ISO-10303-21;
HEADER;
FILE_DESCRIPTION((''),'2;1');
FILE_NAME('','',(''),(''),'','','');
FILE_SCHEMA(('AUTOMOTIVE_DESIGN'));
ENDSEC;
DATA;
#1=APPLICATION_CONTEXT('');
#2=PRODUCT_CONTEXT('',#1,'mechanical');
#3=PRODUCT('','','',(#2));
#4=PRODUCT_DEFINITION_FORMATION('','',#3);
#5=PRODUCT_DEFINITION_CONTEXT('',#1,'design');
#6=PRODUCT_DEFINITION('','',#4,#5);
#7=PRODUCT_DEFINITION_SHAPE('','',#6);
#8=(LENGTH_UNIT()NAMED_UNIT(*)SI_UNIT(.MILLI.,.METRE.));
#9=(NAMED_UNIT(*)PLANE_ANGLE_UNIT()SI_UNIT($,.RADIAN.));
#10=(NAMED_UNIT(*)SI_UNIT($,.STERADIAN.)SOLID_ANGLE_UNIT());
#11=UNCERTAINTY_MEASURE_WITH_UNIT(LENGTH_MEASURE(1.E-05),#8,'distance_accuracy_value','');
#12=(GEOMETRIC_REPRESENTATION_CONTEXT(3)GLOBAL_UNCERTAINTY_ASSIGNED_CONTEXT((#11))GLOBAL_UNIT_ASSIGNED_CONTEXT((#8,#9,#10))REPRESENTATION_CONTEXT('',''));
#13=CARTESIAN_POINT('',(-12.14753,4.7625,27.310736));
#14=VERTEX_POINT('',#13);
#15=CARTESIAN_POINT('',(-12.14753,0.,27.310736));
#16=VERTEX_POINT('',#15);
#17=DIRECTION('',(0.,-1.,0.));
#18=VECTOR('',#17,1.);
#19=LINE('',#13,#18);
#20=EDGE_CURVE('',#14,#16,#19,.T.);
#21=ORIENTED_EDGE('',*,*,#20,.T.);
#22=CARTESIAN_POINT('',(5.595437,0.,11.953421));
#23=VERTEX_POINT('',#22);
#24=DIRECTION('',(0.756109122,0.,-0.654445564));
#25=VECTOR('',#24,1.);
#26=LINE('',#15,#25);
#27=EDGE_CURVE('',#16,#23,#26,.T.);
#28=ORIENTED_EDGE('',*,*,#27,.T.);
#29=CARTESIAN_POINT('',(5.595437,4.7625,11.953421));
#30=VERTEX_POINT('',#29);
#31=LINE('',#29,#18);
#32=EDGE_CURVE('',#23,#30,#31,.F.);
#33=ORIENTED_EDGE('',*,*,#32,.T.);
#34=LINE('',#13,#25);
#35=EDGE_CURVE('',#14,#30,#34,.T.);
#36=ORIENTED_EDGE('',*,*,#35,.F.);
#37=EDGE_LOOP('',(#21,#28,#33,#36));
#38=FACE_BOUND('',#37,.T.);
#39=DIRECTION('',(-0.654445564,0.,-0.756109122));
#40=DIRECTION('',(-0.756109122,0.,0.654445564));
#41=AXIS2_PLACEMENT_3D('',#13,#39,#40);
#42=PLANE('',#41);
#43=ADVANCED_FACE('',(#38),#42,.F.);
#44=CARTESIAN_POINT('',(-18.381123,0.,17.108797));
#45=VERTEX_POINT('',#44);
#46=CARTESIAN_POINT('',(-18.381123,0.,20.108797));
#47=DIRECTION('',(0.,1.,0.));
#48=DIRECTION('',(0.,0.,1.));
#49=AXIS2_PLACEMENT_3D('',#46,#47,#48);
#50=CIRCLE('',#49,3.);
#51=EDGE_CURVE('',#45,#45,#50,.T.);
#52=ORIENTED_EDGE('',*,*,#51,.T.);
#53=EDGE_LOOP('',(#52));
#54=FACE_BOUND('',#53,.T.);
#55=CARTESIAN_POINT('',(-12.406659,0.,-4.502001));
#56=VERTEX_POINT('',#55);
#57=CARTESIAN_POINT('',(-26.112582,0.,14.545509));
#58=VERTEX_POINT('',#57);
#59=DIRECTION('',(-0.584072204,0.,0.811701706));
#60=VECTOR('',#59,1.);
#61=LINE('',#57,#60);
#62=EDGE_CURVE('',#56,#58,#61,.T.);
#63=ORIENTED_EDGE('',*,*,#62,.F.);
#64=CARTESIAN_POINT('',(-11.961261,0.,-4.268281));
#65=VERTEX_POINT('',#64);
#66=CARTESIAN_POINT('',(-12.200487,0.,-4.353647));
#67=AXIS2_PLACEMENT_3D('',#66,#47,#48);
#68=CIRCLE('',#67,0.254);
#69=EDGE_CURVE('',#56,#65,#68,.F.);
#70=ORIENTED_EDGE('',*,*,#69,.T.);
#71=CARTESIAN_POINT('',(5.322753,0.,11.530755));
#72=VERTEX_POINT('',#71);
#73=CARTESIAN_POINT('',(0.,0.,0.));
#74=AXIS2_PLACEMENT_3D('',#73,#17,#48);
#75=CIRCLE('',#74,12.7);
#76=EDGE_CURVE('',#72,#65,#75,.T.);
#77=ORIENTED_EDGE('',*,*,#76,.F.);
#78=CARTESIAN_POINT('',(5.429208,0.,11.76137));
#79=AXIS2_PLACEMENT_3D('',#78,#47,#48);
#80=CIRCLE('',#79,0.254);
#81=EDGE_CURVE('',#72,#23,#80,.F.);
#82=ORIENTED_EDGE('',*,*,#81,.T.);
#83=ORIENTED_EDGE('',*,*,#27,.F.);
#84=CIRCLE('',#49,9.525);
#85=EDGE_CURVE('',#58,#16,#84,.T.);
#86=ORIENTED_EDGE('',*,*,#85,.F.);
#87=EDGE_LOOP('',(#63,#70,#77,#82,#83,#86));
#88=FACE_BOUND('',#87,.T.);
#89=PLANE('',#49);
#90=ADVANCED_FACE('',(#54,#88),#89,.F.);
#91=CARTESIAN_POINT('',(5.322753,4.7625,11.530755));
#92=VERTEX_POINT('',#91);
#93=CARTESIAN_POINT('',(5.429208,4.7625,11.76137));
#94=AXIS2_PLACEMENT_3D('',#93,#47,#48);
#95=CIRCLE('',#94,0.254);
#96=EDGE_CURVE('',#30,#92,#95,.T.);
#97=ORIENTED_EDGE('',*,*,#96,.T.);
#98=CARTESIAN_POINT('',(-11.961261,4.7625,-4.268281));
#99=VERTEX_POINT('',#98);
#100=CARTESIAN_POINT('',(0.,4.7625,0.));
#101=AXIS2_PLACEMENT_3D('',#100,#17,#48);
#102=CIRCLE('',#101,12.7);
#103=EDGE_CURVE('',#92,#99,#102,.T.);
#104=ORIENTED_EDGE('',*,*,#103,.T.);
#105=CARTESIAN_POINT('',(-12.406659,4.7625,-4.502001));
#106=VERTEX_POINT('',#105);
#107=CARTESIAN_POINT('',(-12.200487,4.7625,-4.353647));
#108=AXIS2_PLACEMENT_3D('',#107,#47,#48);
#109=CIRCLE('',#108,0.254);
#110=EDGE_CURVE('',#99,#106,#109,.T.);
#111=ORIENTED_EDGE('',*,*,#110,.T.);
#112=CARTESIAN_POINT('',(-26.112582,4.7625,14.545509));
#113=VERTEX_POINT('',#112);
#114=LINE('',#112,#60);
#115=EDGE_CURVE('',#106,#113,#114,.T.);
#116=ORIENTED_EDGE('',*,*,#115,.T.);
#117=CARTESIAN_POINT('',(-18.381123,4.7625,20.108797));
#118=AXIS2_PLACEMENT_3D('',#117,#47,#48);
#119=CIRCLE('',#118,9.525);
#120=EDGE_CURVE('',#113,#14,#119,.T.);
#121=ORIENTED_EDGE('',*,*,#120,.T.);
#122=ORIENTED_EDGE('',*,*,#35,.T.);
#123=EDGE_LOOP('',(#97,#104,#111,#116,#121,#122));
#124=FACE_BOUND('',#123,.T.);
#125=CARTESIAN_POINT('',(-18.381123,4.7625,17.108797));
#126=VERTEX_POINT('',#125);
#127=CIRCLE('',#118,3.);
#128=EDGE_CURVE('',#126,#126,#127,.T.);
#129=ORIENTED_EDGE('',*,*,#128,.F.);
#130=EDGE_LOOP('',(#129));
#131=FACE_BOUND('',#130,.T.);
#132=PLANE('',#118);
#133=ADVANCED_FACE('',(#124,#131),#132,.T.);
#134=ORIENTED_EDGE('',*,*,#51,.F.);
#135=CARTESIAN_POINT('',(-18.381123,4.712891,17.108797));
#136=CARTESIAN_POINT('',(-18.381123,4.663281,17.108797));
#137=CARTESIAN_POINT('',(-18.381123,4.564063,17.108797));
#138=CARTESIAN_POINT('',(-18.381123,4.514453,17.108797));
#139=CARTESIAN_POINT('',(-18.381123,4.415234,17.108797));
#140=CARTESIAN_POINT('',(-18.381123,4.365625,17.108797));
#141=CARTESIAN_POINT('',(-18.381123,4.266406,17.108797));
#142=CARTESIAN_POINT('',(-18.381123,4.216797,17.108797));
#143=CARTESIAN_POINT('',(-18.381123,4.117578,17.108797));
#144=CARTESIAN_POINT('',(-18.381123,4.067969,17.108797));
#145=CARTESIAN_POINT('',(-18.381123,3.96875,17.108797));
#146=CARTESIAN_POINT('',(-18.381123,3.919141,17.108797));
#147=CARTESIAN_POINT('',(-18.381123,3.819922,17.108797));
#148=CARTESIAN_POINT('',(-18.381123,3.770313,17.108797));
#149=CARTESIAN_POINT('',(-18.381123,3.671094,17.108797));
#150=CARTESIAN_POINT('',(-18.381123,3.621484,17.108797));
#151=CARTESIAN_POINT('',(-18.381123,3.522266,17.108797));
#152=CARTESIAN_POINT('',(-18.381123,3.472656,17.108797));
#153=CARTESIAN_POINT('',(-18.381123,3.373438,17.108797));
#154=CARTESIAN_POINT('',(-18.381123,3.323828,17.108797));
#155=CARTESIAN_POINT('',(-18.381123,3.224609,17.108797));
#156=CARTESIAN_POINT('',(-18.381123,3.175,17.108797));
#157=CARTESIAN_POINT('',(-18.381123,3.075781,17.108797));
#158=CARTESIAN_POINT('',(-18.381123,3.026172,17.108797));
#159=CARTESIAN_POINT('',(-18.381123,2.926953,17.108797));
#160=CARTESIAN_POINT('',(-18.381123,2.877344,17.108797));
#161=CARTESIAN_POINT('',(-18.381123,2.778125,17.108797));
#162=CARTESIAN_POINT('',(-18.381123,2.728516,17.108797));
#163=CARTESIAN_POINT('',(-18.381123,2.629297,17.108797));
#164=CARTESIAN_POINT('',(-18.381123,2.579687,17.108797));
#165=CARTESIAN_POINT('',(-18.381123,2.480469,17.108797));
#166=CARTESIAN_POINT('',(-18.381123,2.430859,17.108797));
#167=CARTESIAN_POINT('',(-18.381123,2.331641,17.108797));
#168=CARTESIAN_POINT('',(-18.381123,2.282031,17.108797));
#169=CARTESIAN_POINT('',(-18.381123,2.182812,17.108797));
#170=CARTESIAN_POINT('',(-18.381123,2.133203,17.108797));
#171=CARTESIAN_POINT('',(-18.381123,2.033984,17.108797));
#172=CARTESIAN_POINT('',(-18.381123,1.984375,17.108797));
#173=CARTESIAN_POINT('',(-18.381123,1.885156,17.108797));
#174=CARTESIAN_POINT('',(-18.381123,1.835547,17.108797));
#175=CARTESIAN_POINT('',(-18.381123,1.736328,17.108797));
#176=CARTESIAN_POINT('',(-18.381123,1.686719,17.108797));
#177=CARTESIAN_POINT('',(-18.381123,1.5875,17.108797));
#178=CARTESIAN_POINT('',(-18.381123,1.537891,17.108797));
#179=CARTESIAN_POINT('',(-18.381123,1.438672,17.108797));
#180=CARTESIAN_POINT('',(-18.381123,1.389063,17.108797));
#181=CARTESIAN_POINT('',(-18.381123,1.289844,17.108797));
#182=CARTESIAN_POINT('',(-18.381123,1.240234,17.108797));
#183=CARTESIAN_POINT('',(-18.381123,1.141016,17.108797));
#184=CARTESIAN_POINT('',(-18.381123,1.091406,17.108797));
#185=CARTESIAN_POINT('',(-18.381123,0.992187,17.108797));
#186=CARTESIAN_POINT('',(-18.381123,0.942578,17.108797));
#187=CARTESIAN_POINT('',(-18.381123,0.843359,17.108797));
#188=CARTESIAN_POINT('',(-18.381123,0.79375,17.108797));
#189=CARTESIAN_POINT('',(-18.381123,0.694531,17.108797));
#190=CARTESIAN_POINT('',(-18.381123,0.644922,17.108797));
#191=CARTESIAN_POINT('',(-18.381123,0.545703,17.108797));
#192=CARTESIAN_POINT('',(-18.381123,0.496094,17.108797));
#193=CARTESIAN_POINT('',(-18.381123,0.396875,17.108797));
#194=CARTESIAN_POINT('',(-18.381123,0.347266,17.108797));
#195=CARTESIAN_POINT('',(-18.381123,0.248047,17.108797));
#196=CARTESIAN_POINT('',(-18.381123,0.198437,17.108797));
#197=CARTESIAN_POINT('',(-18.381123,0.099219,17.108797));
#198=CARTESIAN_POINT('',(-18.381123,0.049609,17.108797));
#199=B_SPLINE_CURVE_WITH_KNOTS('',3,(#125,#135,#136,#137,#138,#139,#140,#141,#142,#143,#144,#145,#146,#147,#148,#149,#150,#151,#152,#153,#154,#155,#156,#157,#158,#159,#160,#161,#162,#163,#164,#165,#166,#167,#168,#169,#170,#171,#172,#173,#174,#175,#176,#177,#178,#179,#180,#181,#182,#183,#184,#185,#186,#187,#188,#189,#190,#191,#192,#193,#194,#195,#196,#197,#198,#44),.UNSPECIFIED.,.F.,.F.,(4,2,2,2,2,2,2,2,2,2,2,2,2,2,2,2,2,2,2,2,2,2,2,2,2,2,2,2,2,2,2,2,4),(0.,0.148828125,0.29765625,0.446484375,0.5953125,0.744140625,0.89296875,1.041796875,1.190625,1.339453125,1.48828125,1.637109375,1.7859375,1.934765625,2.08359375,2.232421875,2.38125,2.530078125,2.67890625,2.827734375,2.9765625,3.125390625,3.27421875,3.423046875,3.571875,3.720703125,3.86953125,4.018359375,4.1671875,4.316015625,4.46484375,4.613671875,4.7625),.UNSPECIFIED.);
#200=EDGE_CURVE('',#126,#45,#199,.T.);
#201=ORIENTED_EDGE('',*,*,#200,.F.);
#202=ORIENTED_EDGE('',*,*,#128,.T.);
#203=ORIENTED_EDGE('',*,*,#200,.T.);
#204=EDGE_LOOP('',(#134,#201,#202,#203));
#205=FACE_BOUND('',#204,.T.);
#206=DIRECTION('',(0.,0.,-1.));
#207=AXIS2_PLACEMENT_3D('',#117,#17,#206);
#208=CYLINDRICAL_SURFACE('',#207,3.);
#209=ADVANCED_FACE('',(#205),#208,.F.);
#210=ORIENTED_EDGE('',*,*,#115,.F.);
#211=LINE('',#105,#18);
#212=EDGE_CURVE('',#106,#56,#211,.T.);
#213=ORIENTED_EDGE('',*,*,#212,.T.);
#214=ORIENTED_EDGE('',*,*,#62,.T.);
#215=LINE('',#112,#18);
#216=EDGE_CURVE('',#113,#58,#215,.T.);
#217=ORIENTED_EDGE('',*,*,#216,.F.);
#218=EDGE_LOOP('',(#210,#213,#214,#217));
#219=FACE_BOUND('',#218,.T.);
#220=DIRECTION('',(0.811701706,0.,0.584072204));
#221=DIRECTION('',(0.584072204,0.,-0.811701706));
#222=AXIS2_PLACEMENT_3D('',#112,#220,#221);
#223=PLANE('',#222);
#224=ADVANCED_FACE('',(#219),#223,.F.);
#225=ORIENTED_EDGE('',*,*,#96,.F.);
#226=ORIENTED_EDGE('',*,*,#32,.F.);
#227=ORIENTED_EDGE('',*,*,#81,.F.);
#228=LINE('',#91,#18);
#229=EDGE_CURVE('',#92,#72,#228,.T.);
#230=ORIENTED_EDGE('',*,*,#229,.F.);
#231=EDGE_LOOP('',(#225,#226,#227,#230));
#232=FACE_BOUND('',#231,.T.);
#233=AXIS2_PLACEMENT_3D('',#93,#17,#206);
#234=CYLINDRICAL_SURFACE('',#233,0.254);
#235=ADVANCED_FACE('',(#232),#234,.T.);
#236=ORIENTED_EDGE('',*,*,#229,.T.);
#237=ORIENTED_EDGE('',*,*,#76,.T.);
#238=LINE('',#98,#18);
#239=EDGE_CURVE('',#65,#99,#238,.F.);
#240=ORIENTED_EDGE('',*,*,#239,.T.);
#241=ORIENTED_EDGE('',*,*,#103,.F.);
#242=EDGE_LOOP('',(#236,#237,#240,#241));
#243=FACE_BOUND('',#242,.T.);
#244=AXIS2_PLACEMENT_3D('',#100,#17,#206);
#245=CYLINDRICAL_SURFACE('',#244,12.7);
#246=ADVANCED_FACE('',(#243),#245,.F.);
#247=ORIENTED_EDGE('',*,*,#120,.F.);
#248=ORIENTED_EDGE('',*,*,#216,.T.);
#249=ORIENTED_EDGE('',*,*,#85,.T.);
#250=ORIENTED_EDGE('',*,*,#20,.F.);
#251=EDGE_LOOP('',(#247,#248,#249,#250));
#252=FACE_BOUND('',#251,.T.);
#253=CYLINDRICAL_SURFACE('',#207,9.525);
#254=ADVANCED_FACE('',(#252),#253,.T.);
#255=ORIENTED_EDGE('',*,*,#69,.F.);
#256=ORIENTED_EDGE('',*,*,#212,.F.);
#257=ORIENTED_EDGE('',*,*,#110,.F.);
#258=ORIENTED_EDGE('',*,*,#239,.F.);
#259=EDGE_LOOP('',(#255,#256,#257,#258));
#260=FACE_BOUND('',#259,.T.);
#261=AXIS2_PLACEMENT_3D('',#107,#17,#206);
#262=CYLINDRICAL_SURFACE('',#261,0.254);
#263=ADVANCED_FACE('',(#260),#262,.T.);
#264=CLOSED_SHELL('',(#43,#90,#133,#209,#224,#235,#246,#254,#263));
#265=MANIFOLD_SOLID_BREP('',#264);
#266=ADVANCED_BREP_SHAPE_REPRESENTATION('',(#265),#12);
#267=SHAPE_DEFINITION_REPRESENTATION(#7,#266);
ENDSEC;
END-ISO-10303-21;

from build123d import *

# Parameters (mm, degrees)
SKETCH1_R           = 3
BOSS_EXTRUDE1_DEPTH = 4.7625
FILLET1_R           = 0.254


with BuildPart() as part:
    # Sketch1 → Boss-Extrude1 (new body)
    with BuildSketch(Plane(origin=(0, 0, 0), x_dir=(1, 0, 0), z_dir=(0, 1, 0))):
        with BuildLine():
            Line((-26.112582247, -14.5455091), (-10.30861167, 7.417716997))
            ThreePointArc((-10.30861167, 7.417716997), (-8.568537347, -9.373908882), (8.311458659, -9.602585848))
            Line((8.311458659, -9.602585848), (-12.1475295, -27.310736233))
            ThreePointArc((-12.1475295, -27.310736233), (-24.807526504, -27.139228509), (-26.112582247, -14.5455091))
        make_face()
        with Locations(Location((-18.381123494, -20.108796847, 0), (0, 0, 90))):
            Circle(SKETCH1_R, mode=Mode.SUBTRACT)
    extrude(amount=BOSS_EXTRUDE1_DEPTH)

    # Fillet1
    fillet1_edges = [part.edges().sort_by_distance(p)[0] for p in [
        (-10.30861167, 2.38125, -7.417716997),
        (8.311458659, 2.38125, 9.602585848),
    ]]
    fillet(fillet1_edges, radius=FILLET1_R)


solid = part.part
